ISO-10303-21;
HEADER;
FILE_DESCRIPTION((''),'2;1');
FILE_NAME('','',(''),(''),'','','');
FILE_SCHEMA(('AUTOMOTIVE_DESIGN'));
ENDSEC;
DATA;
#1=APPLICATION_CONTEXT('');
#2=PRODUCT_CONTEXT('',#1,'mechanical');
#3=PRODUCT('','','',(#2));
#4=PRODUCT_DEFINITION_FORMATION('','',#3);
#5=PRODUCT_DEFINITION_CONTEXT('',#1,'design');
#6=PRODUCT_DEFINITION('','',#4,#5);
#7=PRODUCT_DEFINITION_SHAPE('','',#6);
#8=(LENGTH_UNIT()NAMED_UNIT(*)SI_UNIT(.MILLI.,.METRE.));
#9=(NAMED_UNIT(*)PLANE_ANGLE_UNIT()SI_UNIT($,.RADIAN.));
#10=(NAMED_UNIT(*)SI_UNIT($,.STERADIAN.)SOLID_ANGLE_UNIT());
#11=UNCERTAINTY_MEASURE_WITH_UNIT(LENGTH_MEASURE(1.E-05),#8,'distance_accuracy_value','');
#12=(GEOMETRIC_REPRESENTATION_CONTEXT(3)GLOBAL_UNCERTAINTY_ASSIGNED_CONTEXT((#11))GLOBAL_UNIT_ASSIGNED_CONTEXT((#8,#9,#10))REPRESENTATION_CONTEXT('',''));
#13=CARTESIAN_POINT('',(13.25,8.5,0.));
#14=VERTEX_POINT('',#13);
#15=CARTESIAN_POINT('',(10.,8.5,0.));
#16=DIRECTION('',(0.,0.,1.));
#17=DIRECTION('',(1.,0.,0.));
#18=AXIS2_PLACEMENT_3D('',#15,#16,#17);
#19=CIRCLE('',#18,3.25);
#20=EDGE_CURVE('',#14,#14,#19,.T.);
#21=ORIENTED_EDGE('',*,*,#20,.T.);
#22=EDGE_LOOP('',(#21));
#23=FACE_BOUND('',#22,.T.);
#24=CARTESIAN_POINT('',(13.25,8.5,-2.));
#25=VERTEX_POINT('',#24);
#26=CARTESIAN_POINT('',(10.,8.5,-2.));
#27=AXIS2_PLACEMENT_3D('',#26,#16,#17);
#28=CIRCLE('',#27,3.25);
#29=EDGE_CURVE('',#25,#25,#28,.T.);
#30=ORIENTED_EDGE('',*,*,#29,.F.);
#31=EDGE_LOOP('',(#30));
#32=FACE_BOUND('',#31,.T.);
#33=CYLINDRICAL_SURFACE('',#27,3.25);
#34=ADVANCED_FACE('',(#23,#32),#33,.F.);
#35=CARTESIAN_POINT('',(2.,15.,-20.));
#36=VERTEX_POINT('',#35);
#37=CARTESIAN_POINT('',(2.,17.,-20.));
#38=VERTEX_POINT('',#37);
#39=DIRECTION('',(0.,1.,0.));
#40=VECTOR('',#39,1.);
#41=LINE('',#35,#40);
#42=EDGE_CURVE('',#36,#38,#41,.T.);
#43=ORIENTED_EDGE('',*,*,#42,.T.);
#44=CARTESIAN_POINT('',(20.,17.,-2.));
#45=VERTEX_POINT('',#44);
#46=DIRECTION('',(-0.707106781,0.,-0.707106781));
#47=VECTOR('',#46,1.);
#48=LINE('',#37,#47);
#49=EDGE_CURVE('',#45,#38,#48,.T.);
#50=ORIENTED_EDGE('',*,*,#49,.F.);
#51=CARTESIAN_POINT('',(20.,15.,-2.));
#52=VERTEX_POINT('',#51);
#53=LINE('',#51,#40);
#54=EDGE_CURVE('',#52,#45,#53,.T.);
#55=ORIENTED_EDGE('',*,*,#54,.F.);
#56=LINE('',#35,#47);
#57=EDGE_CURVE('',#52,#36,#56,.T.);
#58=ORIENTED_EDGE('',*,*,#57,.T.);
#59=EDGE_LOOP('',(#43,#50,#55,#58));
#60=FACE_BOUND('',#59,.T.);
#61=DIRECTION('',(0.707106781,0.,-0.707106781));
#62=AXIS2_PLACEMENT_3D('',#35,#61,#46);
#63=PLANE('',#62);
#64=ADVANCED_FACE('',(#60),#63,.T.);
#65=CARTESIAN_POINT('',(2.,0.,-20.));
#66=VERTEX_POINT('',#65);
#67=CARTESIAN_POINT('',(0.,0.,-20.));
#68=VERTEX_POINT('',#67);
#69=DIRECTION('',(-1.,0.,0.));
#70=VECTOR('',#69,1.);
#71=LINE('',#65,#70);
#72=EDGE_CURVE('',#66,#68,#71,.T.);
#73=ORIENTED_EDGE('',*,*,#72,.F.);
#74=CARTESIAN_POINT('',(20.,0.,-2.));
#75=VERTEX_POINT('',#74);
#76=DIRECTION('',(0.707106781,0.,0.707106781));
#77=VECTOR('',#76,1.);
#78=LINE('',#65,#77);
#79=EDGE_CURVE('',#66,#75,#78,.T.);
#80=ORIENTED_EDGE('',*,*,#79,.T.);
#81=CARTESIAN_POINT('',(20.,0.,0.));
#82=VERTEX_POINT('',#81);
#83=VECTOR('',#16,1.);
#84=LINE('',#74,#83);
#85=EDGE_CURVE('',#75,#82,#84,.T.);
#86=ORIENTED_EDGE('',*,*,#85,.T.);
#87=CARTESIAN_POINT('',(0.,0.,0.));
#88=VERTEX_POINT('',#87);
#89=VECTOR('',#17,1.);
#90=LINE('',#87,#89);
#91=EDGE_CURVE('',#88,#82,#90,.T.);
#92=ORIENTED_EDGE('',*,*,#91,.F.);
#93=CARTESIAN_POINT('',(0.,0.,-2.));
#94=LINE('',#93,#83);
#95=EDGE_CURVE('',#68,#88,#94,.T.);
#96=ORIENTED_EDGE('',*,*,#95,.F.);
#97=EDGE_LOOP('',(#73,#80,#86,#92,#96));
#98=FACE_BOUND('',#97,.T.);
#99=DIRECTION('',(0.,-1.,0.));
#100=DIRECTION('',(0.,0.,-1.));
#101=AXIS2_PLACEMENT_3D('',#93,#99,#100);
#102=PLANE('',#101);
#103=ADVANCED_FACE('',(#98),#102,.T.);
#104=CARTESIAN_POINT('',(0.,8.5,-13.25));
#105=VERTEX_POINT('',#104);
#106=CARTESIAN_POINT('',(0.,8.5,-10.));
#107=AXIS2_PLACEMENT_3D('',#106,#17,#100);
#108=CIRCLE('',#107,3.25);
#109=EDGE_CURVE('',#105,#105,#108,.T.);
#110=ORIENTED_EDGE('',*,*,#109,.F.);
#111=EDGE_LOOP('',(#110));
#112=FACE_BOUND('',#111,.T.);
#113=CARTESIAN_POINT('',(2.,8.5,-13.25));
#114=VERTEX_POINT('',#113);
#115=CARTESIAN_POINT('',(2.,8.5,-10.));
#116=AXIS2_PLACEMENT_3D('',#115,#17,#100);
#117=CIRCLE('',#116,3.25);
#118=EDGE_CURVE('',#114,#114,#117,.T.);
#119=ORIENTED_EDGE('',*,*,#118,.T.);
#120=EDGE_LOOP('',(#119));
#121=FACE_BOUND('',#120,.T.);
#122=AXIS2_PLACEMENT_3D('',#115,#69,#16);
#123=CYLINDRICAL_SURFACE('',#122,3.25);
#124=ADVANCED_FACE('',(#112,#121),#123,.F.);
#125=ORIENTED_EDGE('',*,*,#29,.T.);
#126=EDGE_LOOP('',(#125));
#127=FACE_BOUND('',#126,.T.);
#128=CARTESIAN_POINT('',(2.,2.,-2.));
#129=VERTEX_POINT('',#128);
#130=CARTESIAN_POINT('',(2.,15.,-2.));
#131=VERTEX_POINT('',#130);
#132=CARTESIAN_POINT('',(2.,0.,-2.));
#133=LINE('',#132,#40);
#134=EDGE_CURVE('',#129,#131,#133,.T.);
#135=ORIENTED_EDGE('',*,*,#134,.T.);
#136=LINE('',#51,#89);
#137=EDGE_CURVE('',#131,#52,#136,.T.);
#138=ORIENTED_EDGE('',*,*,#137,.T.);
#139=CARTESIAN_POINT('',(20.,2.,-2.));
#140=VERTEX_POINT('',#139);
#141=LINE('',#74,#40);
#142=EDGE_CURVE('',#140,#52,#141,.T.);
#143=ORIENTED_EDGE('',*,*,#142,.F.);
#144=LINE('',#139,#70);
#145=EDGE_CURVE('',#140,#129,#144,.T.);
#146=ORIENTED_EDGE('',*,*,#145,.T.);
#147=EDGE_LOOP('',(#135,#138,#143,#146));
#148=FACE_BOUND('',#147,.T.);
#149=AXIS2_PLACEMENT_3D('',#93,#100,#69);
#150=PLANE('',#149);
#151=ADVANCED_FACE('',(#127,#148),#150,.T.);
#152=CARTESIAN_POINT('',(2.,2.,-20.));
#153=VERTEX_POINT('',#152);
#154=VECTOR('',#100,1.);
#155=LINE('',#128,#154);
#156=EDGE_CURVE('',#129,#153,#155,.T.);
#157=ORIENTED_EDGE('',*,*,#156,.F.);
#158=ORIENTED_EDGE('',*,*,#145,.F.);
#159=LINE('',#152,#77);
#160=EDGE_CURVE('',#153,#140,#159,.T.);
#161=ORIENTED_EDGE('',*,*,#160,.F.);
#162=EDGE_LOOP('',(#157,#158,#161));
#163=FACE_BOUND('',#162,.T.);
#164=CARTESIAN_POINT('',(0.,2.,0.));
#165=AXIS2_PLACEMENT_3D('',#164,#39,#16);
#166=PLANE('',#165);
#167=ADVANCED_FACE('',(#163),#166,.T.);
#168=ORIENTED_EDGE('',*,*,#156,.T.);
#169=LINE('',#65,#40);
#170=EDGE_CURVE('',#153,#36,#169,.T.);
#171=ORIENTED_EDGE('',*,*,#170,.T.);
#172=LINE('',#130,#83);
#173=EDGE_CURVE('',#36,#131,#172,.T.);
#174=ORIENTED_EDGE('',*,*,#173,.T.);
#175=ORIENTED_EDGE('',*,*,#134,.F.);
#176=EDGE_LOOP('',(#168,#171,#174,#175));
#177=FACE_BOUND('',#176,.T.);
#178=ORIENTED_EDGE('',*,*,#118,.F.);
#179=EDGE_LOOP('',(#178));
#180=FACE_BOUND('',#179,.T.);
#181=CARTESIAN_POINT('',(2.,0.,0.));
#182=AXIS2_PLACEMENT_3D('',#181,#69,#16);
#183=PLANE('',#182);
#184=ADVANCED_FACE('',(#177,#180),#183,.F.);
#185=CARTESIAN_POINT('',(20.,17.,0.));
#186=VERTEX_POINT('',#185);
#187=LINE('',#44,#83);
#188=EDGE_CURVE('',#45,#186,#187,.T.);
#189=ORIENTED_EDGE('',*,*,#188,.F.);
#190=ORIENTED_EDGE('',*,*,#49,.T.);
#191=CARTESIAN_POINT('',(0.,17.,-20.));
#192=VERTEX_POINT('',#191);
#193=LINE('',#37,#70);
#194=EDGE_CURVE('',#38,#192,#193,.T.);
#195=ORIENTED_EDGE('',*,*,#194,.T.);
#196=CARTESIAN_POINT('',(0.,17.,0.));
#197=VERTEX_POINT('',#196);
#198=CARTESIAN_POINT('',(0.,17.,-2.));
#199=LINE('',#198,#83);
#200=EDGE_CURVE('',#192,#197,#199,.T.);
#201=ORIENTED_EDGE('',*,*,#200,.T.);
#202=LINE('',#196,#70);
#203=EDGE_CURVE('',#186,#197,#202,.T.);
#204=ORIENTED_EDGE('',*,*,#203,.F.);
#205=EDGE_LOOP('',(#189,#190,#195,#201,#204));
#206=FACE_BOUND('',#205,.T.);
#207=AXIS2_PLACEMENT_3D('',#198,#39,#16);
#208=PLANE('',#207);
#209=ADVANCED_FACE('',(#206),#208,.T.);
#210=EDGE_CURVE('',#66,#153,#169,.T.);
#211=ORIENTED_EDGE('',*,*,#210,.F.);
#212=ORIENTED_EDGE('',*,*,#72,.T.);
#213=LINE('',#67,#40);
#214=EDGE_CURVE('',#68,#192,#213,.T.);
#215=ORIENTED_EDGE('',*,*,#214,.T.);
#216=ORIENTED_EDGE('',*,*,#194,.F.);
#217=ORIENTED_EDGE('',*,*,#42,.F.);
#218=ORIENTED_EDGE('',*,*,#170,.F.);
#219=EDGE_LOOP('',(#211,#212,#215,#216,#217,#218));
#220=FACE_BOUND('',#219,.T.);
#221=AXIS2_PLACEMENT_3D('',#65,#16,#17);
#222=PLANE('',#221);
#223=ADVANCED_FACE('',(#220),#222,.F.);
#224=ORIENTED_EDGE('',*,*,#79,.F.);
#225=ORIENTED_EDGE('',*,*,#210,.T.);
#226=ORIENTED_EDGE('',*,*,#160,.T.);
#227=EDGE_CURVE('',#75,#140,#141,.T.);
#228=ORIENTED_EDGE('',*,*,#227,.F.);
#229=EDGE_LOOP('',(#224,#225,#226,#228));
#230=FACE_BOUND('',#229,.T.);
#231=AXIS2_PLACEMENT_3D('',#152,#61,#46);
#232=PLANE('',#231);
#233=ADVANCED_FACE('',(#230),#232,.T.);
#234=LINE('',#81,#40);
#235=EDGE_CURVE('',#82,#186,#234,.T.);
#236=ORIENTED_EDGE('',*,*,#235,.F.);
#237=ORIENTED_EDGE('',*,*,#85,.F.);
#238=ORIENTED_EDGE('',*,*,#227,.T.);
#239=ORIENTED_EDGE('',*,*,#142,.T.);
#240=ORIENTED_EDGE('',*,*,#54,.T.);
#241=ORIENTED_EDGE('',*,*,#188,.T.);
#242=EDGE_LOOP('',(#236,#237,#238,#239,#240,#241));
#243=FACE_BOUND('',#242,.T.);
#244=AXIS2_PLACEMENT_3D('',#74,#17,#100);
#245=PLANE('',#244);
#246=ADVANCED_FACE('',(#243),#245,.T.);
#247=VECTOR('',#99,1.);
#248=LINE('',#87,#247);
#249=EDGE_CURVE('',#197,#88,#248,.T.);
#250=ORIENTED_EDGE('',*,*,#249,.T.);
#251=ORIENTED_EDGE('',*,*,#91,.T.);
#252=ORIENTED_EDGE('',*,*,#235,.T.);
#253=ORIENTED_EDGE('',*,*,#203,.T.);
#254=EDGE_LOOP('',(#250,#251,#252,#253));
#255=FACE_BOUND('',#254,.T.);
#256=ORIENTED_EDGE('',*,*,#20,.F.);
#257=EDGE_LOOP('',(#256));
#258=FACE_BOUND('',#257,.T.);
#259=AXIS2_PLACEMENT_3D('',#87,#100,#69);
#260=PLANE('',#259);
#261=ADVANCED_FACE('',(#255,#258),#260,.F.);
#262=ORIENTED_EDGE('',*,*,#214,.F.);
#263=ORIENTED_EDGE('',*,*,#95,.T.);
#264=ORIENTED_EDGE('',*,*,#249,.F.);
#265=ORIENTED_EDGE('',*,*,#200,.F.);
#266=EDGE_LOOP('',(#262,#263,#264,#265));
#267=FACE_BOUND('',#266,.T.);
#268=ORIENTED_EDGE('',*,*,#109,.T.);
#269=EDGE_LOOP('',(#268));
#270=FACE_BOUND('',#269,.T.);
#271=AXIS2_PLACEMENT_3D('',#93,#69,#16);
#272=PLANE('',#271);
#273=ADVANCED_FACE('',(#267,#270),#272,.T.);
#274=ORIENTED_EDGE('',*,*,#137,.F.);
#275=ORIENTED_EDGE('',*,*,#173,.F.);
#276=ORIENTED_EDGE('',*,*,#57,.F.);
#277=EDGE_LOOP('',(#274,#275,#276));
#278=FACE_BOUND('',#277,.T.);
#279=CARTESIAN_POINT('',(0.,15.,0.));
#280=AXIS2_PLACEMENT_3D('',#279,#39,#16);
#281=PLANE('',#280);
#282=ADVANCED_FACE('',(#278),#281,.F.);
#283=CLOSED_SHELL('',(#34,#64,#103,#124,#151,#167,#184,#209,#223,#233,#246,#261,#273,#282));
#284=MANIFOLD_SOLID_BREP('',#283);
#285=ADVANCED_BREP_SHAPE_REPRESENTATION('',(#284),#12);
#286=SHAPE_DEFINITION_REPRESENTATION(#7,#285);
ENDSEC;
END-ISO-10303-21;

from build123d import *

# Parameters (mm, degrees)
SKETCH1_W           = 20
SKETCH1_H           = 17
SKETCH1_R           = 3.25
BOSS_EXTRUDE1_DEPTH = 2
SKETCH2_W           = 20
SKETCH2_H           = 17
SKETCH2_R           = 3.25
BOSS_EXTRUDE2_DEPTH = 2
BOSS_EXTRUDE3_DEPTH = 2
BOSS_EXTRUDE4_DEPTH = 2


with BuildPart() as part:
    # Sketch1 → Boss-Extrude1 (new body)
    with BuildSketch(Plane.XY):
        with Locations((10, 8.5)):
            Rectangle(SKETCH1_W, SKETCH1_H)
        with Locations((10, 8.5)):
            Circle(SKETCH1_R, mode=Mode.SUBTRACT)
    extrude(amount=-BOSS_EXTRUDE1_DEPTH)

    # Sketch2 → Boss-Extrude2 (add)
    with BuildSketch(Plane(origin=(0, 0, 0), x_dir=(0, 0, -1), z_dir=(1, 0, 0))):
        with Locations((10, 8.5)):
            Rectangle(SKETCH2_W, SKETCH2_H)
        with Locations((10, 8.5)):
            Circle(SKETCH2_R, mode=Mode.SUBTRACT)
    extrude(amount=BOSS_EXTRUDE2_DEPTH)

    # Sketch3 → Boss-Extrude3 (add)
    with BuildSketch(Plane(origin=(0, 17, 0), x_dir=(1, 0, 0), z_dir=(0, 1, 0))):
        Polygon((2, 20), (20, 2), (2, 2), align=None)
    extrude(amount=-BOSS_EXTRUDE3_DEPTH)

    # Sketch4 → Boss-Extrude4 (add)
    with BuildSketch(Plane.XZ):
        Polygon((2, -20), (20, -2), (2, -2), align=None)
    extrude(amount=-BOSS_EXTRUDE4_DEPTH)


solid = part.part
